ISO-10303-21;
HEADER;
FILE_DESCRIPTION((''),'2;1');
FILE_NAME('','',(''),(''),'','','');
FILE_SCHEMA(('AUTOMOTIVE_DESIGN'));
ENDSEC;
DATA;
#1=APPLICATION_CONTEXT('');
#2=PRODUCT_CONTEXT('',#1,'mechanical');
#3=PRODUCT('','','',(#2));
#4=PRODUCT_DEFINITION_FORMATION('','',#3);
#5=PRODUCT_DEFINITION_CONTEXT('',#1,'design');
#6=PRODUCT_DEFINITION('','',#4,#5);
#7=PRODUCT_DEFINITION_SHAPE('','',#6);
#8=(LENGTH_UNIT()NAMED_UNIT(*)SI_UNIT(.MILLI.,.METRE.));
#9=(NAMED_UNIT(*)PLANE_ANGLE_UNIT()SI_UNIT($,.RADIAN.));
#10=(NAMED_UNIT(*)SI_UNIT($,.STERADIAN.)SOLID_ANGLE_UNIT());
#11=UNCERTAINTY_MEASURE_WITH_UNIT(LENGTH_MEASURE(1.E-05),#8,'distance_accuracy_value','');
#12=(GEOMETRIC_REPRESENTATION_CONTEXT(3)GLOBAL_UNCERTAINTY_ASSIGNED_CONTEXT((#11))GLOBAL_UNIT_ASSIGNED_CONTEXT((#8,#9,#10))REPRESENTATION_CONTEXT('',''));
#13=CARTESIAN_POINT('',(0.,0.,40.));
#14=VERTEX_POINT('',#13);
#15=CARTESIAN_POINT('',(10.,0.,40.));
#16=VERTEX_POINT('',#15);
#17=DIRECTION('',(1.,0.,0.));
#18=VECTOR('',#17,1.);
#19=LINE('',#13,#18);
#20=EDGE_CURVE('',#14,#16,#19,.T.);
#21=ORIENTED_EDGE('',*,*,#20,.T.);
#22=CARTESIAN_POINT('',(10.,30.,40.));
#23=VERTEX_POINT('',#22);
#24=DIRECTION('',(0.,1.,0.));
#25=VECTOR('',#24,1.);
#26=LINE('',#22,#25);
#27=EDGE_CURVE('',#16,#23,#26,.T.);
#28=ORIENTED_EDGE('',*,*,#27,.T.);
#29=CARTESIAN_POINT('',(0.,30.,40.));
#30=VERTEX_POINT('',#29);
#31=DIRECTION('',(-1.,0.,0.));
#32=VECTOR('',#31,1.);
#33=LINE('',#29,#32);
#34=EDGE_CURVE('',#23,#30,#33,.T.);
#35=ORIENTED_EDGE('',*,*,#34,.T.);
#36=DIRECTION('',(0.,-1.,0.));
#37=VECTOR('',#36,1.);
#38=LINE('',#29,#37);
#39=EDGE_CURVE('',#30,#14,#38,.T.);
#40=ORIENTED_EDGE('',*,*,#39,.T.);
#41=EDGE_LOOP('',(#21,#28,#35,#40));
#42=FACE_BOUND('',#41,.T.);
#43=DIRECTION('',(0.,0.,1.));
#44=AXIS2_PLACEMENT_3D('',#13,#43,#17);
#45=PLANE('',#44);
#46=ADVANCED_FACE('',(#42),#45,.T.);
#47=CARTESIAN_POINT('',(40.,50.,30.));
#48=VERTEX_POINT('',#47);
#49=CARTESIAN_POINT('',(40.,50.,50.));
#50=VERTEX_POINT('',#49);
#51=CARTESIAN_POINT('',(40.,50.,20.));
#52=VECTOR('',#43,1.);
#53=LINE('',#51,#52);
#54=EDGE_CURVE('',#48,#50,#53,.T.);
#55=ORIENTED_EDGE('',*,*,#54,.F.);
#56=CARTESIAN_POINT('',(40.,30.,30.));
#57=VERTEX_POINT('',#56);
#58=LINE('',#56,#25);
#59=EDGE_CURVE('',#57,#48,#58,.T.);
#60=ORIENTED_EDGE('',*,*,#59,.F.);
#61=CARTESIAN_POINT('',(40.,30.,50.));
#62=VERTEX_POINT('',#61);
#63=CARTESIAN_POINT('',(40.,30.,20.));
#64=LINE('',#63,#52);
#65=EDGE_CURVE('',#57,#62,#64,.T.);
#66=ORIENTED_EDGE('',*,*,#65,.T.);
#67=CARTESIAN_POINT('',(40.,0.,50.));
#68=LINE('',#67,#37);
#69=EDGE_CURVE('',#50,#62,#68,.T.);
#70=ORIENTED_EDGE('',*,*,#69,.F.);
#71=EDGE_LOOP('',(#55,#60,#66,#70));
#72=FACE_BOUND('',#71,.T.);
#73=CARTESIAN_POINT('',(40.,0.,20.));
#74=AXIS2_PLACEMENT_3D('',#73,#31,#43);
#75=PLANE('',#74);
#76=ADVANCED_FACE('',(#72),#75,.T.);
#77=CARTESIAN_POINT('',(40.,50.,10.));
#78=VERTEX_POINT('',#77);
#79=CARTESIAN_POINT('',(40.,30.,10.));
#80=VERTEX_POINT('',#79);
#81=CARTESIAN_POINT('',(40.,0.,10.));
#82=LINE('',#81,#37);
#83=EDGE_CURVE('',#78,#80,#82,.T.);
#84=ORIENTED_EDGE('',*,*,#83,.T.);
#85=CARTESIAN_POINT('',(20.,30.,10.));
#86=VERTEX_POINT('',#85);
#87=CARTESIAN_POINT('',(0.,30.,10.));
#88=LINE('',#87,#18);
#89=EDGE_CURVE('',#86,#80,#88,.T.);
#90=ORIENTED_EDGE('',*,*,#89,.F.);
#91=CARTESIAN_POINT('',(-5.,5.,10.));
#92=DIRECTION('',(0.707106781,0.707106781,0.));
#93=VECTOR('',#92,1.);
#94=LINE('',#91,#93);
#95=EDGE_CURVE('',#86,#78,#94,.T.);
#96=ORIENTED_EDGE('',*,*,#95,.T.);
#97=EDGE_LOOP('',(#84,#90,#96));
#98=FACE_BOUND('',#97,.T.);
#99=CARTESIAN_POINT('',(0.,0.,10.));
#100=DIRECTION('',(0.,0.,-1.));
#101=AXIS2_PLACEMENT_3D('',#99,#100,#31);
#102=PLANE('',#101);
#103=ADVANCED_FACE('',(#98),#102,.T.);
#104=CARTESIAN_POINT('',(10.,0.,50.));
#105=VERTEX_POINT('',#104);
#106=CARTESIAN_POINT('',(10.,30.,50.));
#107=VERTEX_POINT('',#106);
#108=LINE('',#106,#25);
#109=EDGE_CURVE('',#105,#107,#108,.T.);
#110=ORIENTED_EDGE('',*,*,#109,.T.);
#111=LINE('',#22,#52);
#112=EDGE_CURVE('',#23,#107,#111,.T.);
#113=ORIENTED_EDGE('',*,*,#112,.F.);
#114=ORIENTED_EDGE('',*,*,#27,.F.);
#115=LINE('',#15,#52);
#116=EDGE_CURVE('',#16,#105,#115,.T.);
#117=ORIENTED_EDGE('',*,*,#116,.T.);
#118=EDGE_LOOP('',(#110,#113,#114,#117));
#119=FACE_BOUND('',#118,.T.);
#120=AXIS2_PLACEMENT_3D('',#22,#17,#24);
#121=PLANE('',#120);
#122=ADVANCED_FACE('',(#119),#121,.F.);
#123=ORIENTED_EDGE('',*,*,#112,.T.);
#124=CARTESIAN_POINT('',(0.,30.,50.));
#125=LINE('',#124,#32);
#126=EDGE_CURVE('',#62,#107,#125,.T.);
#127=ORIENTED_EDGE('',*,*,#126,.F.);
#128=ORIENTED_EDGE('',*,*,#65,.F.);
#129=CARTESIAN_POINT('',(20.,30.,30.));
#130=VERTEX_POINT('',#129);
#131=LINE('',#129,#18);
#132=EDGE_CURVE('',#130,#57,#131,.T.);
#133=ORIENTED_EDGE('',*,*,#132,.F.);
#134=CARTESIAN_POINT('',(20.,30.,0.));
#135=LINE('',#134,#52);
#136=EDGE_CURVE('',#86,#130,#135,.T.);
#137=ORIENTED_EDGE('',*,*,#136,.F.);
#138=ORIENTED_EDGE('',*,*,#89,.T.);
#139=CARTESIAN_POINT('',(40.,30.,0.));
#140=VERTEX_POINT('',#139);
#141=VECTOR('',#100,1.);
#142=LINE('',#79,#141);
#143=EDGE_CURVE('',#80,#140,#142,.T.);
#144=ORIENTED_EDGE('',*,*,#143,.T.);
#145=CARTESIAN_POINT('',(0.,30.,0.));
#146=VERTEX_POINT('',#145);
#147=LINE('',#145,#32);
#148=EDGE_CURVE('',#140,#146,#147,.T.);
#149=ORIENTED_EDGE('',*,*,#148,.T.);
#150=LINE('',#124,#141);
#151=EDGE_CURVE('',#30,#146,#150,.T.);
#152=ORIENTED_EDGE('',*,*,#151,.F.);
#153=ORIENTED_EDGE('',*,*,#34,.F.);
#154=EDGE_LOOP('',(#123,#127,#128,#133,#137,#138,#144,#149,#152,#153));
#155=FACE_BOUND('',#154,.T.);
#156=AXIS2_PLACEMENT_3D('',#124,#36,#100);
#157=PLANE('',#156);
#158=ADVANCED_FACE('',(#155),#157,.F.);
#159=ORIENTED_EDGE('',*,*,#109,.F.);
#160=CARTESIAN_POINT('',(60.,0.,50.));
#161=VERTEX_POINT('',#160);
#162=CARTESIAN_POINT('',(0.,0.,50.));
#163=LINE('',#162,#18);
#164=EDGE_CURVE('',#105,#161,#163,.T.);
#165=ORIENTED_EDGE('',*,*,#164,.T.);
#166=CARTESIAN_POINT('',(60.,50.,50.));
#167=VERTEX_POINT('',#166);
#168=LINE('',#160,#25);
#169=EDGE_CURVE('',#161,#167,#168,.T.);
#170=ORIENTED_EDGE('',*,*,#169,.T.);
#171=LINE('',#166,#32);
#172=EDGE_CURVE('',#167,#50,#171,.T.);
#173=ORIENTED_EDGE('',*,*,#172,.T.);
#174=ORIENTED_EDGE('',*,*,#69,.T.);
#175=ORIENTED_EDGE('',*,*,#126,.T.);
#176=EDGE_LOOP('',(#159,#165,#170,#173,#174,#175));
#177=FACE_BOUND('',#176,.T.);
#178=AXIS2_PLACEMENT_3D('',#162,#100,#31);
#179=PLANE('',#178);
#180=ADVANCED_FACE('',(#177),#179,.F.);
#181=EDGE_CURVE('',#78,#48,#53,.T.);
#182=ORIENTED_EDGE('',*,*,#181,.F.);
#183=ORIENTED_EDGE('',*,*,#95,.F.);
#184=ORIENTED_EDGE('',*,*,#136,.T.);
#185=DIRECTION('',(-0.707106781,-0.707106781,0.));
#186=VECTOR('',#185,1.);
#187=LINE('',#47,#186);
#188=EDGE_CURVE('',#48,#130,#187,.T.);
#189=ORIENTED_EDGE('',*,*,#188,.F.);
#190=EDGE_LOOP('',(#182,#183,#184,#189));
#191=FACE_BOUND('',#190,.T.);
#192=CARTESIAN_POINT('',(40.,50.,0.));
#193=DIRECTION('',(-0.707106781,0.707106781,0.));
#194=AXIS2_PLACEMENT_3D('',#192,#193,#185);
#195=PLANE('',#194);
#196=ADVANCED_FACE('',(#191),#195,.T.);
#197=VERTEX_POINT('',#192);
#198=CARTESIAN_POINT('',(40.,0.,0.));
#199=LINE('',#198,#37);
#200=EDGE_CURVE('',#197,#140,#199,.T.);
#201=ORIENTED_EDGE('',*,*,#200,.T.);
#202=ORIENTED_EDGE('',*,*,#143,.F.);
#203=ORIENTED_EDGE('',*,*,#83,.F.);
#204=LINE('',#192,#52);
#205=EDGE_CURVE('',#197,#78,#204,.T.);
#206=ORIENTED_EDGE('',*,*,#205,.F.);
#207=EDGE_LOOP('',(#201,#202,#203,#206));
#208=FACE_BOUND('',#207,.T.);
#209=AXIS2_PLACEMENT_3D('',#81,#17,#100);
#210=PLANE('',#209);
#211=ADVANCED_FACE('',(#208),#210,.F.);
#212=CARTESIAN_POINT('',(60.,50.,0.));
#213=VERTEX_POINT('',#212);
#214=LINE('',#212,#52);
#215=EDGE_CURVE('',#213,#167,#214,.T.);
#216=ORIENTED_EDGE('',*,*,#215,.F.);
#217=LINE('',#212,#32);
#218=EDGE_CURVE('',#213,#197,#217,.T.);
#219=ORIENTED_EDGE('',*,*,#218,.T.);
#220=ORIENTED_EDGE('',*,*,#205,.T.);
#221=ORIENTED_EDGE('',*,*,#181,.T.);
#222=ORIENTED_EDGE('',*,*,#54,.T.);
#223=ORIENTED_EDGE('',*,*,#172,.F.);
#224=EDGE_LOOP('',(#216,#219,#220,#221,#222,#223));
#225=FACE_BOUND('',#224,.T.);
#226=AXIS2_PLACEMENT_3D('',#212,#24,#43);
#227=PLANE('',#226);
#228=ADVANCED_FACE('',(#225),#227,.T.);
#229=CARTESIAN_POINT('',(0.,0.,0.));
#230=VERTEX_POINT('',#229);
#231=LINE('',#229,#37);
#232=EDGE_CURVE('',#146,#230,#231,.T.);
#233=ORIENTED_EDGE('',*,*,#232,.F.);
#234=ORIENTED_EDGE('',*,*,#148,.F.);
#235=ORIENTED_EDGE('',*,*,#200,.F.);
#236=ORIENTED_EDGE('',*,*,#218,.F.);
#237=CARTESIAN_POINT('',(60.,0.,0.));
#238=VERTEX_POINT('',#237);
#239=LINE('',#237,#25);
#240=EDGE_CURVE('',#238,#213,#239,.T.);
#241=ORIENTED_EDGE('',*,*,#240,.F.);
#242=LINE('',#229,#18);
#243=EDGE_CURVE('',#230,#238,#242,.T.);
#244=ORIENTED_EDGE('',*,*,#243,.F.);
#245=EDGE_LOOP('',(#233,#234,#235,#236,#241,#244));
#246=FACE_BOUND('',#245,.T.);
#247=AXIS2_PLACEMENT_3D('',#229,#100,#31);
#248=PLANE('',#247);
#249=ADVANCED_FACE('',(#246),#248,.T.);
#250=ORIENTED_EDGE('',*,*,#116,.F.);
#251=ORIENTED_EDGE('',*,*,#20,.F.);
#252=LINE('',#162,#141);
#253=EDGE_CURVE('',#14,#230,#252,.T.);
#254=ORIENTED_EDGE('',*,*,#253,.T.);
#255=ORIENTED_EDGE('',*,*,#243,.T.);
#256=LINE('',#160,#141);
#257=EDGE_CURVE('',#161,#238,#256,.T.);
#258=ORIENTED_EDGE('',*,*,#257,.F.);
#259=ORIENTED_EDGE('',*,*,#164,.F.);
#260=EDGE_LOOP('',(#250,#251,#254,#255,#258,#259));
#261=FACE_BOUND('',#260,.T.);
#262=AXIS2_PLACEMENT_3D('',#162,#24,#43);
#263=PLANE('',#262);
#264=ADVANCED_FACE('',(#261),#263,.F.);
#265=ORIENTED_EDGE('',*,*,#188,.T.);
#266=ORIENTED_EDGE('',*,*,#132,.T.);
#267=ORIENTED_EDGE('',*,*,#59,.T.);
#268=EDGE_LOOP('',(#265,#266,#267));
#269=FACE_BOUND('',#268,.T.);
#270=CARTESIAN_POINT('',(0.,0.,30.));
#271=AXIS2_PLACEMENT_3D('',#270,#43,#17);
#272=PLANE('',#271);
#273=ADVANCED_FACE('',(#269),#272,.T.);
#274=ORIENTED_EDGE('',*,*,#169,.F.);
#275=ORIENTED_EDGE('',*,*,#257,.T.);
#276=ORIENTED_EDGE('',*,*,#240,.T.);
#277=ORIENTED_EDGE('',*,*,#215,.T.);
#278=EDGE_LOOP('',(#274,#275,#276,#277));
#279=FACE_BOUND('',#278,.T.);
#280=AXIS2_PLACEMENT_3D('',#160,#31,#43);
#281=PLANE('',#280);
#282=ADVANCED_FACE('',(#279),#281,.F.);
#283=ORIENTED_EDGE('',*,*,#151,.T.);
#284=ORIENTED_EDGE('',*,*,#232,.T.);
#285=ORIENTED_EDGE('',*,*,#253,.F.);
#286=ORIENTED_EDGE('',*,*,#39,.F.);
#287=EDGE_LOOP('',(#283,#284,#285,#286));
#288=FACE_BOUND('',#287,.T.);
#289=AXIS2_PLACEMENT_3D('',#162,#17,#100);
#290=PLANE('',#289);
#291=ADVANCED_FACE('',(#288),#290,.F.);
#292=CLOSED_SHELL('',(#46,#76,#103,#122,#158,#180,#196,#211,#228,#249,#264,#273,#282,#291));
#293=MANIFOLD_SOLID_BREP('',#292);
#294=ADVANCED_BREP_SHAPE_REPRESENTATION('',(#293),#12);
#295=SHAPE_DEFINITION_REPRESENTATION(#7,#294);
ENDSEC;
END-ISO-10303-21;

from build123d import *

# Parameters (mm, degrees)
SKETCH1_W           = 60
SKETCH1_H           = 30
BOSS_EXTRUDE1_DEPTH = 50
BOSS_EXTRUDE2_DEPTH = 50
SKETCH3_W           = 10
SKETCH3_H           = 30
CUT_EXTRUDE1_DEPTH  = 10
CUT_EXTRUDE2_DEPTH  = 30
CUT_EXTRUDE3_DEPTH  = 10
BOSS_EXTRUDE3_DEPTH = 10


with BuildPart() as part:
    # Sketch1 → Boss-Extrude1 (new body)
    with BuildSketch(Plane.XY):
        with Locations((30, 15)):
            Rectangle(SKETCH1_W, SKETCH1_H)
    extrude(amount=BOSS_EXTRUDE1_DEPTH)

    # Sketch2 → Boss-Extrude2 (add)
    with BuildSketch(Plane.XY.offset(50)):
        Polygon((60, 30), (60, 50), (40, 50), (20, 30), align=None)
    extrude(amount=-BOSS_EXTRUDE2_DEPTH)

    # Sketch3 → Cut-Extrude1 (cut)
    with BuildSketch(Plane.XY.offset(50)):
        with Locations((5, 15)):
            Rectangle(SKETCH3_W, SKETCH3_H)
    extrude(amount=-CUT_EXTRUDE1_DEPTH, mode=Mode.SUBTRACT)

    # Sketch4 → Cut-Extrude2 (cut)
    with BuildSketch(Plane.XY.offset(50)):
        Polygon((40, 50), (20, 30), (40, 30), align=None)
    extrude(amount=-CUT_EXTRUDE2_DEPTH, mode=Mode.SUBTRACT)

    # Sketch5 → Cut-Extrude3 (cut)
    with BuildSketch(Plane(origin=(0, 0, 0), x_dir=(-1, 0, 0), z_dir=(0, 0, -1))):
        Polygon((-20, 30), (-40, 50), (-40, 30), align=None)
    extrude(amount=-CUT_EXTRUDE3_DEPTH, mode=Mode.SUBTRACT)

    # Sketch6 → Boss-Extrude3 (add)
    with BuildSketch(Plane.XY.offset(20)):
        Polygon((20, 30), (40, 30), (40, 50), align=None)
    extrude(amount=BOSS_EXTRUDE3_DEPTH)


solid = part.part
